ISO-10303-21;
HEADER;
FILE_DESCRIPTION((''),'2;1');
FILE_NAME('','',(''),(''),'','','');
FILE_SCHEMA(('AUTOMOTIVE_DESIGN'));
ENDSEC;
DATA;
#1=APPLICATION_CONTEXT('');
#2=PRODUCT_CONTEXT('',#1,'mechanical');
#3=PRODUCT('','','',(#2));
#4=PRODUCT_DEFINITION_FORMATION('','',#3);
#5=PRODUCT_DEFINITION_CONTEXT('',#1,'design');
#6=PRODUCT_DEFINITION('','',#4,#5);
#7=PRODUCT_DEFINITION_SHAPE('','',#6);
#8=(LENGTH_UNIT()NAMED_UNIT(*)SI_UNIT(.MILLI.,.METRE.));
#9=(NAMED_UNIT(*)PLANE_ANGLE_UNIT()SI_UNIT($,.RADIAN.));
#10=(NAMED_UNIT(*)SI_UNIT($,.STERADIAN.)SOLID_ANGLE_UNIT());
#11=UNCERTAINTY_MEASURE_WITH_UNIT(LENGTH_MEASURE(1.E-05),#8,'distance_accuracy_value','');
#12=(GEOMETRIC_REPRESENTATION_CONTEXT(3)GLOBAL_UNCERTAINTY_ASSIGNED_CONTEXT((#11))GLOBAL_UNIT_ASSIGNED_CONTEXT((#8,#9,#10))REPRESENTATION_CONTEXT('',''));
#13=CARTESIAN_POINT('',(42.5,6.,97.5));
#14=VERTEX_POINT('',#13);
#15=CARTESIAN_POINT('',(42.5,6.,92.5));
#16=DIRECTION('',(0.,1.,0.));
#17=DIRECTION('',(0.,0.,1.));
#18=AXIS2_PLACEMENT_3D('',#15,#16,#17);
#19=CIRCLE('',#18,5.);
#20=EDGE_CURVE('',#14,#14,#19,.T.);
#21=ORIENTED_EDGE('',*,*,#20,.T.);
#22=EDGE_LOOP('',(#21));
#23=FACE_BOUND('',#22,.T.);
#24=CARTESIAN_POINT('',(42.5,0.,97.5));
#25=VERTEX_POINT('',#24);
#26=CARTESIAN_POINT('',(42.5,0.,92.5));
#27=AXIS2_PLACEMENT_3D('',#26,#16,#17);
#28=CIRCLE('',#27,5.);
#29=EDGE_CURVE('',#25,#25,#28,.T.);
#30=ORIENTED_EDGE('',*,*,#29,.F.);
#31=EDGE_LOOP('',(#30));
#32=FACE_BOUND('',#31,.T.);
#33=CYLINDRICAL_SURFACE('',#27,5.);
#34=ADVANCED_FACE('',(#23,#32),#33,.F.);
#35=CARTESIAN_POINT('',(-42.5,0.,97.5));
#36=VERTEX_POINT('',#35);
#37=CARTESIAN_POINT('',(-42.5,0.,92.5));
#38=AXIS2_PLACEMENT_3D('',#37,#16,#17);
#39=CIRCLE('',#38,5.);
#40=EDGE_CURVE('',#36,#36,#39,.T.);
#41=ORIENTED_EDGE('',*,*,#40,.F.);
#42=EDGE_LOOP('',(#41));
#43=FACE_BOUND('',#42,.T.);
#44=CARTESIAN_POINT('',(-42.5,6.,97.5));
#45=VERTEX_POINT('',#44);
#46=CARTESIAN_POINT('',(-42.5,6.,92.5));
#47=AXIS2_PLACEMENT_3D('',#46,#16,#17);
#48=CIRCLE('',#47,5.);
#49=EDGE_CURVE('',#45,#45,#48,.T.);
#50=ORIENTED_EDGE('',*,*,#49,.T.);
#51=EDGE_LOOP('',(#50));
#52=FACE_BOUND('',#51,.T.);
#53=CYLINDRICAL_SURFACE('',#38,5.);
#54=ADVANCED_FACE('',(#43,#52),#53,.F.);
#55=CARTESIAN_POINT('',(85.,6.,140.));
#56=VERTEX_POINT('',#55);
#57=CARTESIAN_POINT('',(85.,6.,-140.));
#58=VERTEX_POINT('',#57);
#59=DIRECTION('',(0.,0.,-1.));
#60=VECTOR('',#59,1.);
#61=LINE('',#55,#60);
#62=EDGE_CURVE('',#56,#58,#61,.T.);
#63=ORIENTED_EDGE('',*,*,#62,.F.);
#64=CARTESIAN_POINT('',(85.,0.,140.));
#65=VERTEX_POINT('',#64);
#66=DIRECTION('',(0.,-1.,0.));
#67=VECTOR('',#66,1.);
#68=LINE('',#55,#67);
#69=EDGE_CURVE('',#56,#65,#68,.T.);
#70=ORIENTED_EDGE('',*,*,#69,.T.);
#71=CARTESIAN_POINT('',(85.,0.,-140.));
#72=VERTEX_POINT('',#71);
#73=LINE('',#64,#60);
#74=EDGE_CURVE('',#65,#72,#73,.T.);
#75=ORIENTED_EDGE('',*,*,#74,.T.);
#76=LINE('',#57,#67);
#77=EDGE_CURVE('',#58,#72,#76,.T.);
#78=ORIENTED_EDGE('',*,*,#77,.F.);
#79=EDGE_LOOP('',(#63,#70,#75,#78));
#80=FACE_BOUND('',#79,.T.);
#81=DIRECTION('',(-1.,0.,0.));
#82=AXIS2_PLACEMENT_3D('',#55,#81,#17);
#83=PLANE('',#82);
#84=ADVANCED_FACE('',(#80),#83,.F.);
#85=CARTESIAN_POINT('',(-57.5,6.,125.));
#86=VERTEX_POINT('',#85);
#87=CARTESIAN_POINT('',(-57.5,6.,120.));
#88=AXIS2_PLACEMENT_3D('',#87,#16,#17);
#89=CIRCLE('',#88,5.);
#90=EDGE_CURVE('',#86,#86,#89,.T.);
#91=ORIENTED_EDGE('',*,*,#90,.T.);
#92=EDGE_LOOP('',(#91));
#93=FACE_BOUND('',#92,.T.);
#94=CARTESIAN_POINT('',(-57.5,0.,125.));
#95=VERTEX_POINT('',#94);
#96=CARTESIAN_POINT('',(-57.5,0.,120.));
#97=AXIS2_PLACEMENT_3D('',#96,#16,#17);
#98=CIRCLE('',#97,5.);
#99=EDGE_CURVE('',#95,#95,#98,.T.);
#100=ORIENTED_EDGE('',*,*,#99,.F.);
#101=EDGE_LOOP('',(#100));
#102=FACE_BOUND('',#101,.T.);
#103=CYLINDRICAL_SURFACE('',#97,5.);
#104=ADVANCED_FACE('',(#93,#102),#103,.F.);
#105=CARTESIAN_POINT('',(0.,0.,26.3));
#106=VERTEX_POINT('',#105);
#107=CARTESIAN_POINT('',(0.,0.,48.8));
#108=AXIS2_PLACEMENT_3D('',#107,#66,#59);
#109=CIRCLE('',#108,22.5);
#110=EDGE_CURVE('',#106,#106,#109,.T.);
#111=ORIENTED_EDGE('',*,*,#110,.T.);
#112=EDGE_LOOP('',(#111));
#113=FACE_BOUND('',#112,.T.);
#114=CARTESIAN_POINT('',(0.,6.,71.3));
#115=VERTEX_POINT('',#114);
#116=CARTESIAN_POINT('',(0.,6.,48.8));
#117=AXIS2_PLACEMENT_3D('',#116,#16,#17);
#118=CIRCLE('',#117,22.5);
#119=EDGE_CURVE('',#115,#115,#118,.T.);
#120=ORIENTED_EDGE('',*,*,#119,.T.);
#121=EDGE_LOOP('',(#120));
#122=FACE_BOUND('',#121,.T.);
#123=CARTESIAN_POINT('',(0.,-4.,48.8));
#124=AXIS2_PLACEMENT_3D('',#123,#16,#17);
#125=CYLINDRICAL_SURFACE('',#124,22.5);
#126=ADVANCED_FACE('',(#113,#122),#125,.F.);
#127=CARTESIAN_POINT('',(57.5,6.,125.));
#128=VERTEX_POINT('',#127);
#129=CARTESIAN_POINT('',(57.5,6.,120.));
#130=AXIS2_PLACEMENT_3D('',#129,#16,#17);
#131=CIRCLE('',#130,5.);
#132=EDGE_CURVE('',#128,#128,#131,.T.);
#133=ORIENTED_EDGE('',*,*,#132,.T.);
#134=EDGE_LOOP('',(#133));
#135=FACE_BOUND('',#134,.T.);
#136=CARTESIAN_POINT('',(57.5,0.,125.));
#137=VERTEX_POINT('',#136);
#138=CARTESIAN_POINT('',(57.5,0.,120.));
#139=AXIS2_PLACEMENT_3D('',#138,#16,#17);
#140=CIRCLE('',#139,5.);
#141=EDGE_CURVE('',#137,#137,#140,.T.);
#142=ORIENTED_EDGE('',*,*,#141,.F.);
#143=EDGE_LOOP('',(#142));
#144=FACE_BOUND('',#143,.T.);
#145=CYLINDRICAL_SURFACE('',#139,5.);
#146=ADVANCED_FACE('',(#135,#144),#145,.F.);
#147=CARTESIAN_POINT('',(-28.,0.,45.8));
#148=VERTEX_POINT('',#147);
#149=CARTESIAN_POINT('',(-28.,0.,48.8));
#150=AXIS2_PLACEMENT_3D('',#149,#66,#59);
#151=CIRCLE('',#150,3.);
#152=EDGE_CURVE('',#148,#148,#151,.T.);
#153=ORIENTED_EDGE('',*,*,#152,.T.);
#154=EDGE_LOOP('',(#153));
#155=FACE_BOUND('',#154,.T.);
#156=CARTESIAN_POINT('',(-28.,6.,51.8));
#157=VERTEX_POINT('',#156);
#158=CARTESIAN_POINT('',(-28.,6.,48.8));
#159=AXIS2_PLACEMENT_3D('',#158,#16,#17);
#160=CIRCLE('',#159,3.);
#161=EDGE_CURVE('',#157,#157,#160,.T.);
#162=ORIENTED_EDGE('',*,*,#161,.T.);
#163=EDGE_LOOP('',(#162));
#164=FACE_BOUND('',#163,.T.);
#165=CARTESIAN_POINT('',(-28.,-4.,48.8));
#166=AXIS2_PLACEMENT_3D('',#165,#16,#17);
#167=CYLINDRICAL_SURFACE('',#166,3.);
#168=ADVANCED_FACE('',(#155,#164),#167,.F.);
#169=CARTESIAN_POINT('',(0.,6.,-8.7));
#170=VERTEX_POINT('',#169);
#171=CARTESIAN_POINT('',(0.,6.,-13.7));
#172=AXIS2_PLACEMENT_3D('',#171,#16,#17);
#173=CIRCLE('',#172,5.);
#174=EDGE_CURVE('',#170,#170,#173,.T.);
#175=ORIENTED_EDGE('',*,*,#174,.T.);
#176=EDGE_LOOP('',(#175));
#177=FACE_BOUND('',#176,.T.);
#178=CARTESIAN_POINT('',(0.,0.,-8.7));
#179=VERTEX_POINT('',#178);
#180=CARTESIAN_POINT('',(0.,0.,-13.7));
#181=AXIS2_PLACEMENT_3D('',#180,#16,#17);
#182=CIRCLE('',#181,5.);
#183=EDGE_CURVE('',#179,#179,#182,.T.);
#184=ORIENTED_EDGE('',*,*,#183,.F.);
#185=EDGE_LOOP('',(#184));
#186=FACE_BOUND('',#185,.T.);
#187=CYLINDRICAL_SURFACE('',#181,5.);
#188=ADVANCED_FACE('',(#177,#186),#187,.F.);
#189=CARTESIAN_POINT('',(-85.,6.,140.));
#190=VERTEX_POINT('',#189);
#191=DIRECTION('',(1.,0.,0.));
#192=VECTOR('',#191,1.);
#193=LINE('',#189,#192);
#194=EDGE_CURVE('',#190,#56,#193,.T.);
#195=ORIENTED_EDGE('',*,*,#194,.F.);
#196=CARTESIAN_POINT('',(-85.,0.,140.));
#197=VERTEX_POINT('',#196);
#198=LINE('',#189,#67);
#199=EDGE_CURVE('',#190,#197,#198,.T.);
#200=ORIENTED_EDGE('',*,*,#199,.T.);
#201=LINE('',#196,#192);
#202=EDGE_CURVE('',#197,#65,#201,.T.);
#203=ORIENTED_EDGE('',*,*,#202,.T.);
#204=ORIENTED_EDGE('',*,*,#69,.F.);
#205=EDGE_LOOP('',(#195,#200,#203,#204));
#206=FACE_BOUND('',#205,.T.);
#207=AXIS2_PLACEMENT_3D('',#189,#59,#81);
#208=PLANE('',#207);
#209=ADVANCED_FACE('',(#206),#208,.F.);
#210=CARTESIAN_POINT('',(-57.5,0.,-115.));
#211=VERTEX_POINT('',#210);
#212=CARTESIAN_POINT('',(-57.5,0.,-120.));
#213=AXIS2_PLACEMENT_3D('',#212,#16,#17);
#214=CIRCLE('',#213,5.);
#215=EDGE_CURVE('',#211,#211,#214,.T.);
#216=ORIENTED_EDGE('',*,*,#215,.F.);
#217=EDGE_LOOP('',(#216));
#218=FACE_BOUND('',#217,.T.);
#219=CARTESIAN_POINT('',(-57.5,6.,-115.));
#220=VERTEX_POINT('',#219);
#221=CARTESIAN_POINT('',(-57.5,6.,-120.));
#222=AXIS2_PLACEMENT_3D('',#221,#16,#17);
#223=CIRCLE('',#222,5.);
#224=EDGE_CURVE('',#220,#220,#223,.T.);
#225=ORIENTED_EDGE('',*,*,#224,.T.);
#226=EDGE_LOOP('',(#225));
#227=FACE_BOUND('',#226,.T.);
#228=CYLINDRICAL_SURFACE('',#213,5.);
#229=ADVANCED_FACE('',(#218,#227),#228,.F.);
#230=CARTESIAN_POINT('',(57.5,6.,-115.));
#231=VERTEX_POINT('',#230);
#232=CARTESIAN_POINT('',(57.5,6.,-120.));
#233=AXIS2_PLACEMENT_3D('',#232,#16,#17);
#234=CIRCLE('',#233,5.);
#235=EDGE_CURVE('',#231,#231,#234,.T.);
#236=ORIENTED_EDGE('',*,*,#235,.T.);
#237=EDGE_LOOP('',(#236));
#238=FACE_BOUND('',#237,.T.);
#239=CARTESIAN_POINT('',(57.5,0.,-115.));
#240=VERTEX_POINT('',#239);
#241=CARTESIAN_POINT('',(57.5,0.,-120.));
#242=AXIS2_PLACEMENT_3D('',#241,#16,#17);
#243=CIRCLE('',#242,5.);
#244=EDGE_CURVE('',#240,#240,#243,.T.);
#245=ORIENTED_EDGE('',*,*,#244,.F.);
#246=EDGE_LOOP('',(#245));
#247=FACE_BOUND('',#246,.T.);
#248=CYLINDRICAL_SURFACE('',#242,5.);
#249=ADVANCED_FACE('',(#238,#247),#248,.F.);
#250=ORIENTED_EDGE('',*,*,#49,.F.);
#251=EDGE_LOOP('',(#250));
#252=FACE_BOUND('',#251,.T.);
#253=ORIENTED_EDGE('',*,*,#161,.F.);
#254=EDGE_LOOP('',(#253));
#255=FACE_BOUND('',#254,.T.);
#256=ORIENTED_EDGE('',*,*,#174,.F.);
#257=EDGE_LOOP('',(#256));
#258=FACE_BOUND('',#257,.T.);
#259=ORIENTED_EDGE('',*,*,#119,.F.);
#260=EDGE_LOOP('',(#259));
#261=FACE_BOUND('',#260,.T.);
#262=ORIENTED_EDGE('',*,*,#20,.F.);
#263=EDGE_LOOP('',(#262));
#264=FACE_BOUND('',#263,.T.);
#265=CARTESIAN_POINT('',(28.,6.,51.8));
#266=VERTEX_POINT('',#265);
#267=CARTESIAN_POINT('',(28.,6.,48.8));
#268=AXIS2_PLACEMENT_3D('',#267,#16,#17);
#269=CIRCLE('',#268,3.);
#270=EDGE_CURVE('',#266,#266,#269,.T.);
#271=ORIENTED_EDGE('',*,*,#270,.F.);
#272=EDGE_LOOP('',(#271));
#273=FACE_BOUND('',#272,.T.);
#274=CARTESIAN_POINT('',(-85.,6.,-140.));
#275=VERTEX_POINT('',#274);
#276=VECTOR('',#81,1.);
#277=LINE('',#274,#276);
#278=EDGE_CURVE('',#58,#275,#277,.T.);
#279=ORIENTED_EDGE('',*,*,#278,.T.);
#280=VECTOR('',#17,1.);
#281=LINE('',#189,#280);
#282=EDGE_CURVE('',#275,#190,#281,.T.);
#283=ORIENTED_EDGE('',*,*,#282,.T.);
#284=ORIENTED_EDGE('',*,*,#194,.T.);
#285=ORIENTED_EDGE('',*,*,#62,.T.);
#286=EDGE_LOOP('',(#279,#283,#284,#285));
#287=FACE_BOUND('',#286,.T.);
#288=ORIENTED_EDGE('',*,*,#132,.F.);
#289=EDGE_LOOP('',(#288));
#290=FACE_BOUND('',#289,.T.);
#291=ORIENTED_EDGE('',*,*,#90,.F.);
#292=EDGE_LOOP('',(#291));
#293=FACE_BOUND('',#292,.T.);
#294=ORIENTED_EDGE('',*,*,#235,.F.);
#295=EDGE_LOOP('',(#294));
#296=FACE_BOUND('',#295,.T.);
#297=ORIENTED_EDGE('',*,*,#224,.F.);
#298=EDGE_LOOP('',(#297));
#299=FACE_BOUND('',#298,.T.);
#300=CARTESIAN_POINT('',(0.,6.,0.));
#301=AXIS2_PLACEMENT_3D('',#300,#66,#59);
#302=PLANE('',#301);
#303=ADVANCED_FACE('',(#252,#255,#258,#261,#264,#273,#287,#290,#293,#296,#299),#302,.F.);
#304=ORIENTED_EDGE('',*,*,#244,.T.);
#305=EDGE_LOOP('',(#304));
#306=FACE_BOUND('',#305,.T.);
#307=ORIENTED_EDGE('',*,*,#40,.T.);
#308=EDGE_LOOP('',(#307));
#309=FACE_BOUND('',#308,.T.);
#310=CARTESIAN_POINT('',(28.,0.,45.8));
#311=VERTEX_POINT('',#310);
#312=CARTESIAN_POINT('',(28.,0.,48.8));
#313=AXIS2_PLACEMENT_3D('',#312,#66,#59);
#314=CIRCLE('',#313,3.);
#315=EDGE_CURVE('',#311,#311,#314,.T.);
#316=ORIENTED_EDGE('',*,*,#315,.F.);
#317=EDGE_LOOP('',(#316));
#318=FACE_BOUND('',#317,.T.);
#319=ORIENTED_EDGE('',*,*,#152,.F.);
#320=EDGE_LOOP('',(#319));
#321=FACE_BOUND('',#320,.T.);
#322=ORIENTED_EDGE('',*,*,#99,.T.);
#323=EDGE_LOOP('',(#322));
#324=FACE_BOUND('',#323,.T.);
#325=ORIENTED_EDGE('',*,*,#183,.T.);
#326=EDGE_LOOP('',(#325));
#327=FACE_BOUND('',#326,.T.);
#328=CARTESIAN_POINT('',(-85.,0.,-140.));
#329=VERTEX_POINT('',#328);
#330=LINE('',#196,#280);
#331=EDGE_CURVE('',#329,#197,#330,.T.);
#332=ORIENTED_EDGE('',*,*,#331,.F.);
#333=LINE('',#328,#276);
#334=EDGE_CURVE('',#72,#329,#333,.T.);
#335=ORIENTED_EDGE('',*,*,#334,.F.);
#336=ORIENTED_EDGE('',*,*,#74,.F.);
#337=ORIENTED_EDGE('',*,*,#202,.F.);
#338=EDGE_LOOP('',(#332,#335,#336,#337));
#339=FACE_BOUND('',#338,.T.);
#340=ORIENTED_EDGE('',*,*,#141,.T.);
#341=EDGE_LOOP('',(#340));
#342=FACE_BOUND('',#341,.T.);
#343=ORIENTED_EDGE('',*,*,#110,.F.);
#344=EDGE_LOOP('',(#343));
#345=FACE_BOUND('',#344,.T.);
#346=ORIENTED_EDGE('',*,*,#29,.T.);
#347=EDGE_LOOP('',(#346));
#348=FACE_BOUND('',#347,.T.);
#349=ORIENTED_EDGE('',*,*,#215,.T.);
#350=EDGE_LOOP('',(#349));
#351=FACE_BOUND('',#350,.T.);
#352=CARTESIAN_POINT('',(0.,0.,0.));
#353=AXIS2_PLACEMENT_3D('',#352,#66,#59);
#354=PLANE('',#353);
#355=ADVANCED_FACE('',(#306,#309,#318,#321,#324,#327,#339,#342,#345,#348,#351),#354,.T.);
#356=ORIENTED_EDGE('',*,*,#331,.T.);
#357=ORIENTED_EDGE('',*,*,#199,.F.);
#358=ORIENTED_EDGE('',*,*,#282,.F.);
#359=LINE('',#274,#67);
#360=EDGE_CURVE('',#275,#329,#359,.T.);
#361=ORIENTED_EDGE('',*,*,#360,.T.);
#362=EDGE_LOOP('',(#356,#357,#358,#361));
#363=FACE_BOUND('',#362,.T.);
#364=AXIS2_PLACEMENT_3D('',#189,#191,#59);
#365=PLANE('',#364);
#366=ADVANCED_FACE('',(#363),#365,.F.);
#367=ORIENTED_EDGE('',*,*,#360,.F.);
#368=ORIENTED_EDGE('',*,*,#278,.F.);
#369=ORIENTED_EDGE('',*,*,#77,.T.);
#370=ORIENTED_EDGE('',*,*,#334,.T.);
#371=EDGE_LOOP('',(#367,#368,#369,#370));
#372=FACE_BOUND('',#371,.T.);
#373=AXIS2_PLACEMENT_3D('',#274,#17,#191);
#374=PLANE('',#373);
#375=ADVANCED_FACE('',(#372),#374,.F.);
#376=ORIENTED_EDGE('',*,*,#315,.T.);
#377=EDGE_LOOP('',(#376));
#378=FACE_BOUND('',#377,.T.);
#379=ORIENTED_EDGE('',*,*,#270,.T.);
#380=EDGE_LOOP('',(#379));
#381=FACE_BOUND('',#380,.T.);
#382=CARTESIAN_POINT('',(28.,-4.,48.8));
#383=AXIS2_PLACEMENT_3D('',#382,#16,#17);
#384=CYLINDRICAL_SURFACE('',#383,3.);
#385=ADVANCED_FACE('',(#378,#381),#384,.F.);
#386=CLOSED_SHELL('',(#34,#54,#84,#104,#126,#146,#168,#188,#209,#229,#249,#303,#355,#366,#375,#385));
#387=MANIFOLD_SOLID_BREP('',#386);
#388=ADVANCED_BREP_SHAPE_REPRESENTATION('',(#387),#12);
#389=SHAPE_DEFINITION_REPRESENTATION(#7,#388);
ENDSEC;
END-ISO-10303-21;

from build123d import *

# Parameters (mm, degrees)
SKETCH1_W           = 170
SKETCH1_H           = 280
BOSS_EXTRUDE1_DEPTH = 6
SKETCH2_R           = 5
CUT_EXTRUDE1_DEPTH  = 6
SKETCH4_R           = 22.5
SKETCH4_R_2         = 3
CUT_EXTRUDE3_DEPTH  = 10


with BuildPart() as part:
    # Sketch1 → Boss-Extrude1 (new body)
    with BuildSketch(Plane(origin=(0, 0, 0), x_dir=(1, 0, 0), z_dir=(0, 1, 0))):
        Rectangle(SKETCH1_W, SKETCH1_H)
    extrude(amount=BOSS_EXTRUDE1_DEPTH)

    # Sketch2 → Cut-Extrude1 (cut)
    with BuildSketch(Plane(origin=(0, 6, 0), x_dir=(1, 0, 0), z_dir=(0, 1, 0))):
        with Locations((-57.5, 120)):
            Circle(SKETCH2_R)
        with Locations((57.5, 120)):
            Circle(SKETCH2_R)
        with Locations((0, 13.7)):
            Circle(SKETCH2_R)
        with Locations((-57.5, -120)):
            Circle(SKETCH2_R)
        with Locations((57.5, -120)):
            Circle(SKETCH2_R)
        with Locations((-42.5, -92.5)):
            Circle(SKETCH2_R)
        with Locations((42.5, -92.5)):
            Circle(SKETCH2_R)
    extrude(amount=-CUT_EXTRUDE1_DEPTH, mode=Mode.SUBTRACT)

    # Sketch4 → Cut-Extrude3 (cut)
    with BuildSketch(Plane(origin=(0, 6, 0), x_dir=(1, 0, 0), z_dir=(0, 1, 0))):
        with Locations((0, -48.8)):
            Circle(SKETCH4_R)
        with Locations((28, -48.8)):
            Circle(SKETCH4_R_2)
        with Locations((-28, -48.8)):
            Circle(SKETCH4_R_2)
    extrude(amount=-CUT_EXTRUDE3_DEPTH, mode=Mode.SUBTRACT)


solid = part.part
